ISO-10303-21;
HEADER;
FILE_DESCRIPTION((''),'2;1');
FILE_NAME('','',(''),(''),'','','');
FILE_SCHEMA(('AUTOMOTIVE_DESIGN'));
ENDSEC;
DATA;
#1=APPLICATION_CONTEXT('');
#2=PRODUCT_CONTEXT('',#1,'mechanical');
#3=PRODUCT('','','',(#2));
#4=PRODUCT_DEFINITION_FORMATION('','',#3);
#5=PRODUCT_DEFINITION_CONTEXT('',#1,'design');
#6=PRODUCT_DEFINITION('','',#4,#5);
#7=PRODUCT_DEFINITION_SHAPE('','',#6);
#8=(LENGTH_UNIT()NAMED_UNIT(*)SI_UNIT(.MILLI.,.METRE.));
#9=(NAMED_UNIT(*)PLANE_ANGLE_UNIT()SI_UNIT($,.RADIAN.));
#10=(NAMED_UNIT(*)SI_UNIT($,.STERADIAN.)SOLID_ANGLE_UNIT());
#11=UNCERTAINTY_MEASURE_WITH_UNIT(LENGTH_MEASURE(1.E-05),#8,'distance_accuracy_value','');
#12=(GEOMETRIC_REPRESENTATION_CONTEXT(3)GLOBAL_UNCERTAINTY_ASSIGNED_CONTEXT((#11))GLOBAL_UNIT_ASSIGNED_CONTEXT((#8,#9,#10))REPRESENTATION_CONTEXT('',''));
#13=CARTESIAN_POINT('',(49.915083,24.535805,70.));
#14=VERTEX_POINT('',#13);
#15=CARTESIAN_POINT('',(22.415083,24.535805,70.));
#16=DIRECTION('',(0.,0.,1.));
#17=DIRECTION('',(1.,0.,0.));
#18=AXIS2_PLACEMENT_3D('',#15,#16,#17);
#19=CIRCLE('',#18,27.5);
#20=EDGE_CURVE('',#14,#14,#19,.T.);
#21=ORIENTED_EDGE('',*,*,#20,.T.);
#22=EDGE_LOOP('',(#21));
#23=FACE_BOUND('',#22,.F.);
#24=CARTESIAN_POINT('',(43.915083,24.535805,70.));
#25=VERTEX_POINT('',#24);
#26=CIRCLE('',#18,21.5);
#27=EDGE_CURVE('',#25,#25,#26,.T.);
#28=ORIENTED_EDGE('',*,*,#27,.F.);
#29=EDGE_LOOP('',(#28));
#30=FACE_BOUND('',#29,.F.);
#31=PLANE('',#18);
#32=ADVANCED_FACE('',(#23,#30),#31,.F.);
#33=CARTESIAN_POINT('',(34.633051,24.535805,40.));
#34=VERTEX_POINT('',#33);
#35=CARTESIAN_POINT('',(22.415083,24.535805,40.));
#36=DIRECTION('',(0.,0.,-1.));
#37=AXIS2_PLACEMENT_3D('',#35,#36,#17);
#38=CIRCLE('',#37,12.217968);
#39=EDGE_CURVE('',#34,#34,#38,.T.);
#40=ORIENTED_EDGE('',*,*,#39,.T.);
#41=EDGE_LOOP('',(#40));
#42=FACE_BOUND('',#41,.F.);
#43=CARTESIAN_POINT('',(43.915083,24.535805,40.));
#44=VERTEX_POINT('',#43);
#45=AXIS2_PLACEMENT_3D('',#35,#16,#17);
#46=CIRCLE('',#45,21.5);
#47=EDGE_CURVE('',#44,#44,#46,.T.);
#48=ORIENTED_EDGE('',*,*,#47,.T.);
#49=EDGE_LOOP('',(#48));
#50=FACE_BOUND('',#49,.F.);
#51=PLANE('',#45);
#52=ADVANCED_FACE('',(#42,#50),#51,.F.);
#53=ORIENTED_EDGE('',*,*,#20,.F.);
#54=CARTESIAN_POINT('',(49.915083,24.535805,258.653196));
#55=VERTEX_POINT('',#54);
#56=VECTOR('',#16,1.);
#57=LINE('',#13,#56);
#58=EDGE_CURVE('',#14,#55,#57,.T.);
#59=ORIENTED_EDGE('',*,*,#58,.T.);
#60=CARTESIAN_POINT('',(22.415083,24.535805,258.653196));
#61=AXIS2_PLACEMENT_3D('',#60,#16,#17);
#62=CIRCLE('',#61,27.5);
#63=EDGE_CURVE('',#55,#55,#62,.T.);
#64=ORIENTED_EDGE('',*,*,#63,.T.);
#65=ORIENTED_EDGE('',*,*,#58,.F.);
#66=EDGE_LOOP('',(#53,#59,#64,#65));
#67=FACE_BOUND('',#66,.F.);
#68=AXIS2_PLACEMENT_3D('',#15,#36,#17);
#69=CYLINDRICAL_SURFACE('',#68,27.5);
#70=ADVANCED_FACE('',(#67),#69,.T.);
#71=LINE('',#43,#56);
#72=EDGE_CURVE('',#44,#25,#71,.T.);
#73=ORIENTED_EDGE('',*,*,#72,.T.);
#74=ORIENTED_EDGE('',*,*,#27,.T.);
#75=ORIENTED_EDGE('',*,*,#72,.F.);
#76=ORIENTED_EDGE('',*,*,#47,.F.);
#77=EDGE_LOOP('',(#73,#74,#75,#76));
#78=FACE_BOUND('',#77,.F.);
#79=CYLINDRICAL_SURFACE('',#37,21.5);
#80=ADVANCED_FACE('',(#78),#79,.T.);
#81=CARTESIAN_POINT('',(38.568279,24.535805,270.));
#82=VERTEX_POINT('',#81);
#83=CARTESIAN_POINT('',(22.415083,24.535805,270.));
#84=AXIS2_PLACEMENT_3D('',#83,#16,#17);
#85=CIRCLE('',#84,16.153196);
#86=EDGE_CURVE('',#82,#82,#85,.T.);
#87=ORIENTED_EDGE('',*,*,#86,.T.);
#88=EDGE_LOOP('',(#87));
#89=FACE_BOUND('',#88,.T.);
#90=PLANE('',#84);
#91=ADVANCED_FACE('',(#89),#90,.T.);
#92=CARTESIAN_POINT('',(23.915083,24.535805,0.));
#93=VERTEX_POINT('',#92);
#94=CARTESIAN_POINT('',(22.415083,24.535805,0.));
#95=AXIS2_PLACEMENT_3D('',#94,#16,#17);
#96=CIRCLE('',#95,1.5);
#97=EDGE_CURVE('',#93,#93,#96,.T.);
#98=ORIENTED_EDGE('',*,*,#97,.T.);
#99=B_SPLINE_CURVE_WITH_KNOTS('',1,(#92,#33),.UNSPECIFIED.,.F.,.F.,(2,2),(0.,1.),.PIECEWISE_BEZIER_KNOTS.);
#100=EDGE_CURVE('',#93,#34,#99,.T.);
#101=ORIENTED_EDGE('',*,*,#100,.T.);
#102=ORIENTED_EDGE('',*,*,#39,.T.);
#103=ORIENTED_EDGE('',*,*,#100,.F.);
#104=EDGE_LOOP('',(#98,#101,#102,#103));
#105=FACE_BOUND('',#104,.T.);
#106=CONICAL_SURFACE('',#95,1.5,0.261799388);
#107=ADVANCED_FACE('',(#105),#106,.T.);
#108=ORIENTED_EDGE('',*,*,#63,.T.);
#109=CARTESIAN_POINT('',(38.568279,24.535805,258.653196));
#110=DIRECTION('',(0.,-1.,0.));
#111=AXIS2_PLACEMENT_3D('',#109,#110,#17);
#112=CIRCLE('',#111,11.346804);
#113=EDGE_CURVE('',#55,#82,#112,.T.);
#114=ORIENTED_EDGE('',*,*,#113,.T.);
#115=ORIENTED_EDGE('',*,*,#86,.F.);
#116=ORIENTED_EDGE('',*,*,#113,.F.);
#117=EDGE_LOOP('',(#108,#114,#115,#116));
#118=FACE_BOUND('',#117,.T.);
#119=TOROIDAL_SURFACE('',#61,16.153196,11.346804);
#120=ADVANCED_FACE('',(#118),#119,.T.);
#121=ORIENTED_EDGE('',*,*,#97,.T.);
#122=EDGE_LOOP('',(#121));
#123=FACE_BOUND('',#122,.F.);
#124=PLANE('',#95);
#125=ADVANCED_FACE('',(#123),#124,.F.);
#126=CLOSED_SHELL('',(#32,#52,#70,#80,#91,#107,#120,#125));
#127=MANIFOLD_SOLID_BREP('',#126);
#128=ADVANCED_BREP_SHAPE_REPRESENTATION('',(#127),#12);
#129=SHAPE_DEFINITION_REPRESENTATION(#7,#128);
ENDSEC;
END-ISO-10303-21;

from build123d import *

# Parameters (mm, degrees)
F1_START = 70
F0_R     = 27.5
F0_R_2   = 21.5
F0_R_3   = 1.5
F1_DEPTH = 200
F2_START = 40
F2_DEPTH = 30
F3_DEPTH = 40
F3_TAPER = -15
F4_R     = 11.3468037432


with BuildPart() as f1:
    # F0 (on Top) → F1 (new body)
    with BuildSketch(Plane.XY.offset(F1_START)):
        with Locations((22.4150829017, 24.535804987)):
            Circle(F0_R)
        with Locations((22.4150829017, 24.535804987)):
            Circle(F0_R_2, mode=Mode.SUBTRACT)
        with Locations((22.4150829017, 24.535804987)):
            Circle(F0_R_2)
        with Locations((22.4150829017, 24.535804987)):
            Circle(F0_R_3, mode=Mode.SUBTRACT)
        with Locations((22.4150829017, 24.535804987)):
            Circle(F0_R_3)
    extrude(amount=F1_DEPTH)

    # F0 (on Top) → F2 (join)
    with BuildSketch(Plane.XY.offset(F2_START)):
        with Locations((22.4150829017, 24.535804987)):
            Circle(F0_R_2)
        with Locations((22.4150829017, 24.535804987)):
            Circle(F0_R_3, mode=Mode.SUBTRACT)
        with Locations((22.4150829017, 24.535804987)):
            Circle(F0_R_3)
    extrude(amount=F2_DEPTH)

    # F0 (on Top) → F3 (join)
    with BuildSketch(Plane.XY):
        with Locations((22.4150829017, 24.535804987)):
            Circle(F0_R_3)
    extrude(amount=F3_DEPTH, taper=F3_TAPER)

    # F4
    f4_edges = [f1.edges().sort_by_distance(p)[0] for p in [
        (-5.084917, 24.535805, 270),
    ]]
    fillet(f4_edges, radius=F4_R)


solid = f1.part
